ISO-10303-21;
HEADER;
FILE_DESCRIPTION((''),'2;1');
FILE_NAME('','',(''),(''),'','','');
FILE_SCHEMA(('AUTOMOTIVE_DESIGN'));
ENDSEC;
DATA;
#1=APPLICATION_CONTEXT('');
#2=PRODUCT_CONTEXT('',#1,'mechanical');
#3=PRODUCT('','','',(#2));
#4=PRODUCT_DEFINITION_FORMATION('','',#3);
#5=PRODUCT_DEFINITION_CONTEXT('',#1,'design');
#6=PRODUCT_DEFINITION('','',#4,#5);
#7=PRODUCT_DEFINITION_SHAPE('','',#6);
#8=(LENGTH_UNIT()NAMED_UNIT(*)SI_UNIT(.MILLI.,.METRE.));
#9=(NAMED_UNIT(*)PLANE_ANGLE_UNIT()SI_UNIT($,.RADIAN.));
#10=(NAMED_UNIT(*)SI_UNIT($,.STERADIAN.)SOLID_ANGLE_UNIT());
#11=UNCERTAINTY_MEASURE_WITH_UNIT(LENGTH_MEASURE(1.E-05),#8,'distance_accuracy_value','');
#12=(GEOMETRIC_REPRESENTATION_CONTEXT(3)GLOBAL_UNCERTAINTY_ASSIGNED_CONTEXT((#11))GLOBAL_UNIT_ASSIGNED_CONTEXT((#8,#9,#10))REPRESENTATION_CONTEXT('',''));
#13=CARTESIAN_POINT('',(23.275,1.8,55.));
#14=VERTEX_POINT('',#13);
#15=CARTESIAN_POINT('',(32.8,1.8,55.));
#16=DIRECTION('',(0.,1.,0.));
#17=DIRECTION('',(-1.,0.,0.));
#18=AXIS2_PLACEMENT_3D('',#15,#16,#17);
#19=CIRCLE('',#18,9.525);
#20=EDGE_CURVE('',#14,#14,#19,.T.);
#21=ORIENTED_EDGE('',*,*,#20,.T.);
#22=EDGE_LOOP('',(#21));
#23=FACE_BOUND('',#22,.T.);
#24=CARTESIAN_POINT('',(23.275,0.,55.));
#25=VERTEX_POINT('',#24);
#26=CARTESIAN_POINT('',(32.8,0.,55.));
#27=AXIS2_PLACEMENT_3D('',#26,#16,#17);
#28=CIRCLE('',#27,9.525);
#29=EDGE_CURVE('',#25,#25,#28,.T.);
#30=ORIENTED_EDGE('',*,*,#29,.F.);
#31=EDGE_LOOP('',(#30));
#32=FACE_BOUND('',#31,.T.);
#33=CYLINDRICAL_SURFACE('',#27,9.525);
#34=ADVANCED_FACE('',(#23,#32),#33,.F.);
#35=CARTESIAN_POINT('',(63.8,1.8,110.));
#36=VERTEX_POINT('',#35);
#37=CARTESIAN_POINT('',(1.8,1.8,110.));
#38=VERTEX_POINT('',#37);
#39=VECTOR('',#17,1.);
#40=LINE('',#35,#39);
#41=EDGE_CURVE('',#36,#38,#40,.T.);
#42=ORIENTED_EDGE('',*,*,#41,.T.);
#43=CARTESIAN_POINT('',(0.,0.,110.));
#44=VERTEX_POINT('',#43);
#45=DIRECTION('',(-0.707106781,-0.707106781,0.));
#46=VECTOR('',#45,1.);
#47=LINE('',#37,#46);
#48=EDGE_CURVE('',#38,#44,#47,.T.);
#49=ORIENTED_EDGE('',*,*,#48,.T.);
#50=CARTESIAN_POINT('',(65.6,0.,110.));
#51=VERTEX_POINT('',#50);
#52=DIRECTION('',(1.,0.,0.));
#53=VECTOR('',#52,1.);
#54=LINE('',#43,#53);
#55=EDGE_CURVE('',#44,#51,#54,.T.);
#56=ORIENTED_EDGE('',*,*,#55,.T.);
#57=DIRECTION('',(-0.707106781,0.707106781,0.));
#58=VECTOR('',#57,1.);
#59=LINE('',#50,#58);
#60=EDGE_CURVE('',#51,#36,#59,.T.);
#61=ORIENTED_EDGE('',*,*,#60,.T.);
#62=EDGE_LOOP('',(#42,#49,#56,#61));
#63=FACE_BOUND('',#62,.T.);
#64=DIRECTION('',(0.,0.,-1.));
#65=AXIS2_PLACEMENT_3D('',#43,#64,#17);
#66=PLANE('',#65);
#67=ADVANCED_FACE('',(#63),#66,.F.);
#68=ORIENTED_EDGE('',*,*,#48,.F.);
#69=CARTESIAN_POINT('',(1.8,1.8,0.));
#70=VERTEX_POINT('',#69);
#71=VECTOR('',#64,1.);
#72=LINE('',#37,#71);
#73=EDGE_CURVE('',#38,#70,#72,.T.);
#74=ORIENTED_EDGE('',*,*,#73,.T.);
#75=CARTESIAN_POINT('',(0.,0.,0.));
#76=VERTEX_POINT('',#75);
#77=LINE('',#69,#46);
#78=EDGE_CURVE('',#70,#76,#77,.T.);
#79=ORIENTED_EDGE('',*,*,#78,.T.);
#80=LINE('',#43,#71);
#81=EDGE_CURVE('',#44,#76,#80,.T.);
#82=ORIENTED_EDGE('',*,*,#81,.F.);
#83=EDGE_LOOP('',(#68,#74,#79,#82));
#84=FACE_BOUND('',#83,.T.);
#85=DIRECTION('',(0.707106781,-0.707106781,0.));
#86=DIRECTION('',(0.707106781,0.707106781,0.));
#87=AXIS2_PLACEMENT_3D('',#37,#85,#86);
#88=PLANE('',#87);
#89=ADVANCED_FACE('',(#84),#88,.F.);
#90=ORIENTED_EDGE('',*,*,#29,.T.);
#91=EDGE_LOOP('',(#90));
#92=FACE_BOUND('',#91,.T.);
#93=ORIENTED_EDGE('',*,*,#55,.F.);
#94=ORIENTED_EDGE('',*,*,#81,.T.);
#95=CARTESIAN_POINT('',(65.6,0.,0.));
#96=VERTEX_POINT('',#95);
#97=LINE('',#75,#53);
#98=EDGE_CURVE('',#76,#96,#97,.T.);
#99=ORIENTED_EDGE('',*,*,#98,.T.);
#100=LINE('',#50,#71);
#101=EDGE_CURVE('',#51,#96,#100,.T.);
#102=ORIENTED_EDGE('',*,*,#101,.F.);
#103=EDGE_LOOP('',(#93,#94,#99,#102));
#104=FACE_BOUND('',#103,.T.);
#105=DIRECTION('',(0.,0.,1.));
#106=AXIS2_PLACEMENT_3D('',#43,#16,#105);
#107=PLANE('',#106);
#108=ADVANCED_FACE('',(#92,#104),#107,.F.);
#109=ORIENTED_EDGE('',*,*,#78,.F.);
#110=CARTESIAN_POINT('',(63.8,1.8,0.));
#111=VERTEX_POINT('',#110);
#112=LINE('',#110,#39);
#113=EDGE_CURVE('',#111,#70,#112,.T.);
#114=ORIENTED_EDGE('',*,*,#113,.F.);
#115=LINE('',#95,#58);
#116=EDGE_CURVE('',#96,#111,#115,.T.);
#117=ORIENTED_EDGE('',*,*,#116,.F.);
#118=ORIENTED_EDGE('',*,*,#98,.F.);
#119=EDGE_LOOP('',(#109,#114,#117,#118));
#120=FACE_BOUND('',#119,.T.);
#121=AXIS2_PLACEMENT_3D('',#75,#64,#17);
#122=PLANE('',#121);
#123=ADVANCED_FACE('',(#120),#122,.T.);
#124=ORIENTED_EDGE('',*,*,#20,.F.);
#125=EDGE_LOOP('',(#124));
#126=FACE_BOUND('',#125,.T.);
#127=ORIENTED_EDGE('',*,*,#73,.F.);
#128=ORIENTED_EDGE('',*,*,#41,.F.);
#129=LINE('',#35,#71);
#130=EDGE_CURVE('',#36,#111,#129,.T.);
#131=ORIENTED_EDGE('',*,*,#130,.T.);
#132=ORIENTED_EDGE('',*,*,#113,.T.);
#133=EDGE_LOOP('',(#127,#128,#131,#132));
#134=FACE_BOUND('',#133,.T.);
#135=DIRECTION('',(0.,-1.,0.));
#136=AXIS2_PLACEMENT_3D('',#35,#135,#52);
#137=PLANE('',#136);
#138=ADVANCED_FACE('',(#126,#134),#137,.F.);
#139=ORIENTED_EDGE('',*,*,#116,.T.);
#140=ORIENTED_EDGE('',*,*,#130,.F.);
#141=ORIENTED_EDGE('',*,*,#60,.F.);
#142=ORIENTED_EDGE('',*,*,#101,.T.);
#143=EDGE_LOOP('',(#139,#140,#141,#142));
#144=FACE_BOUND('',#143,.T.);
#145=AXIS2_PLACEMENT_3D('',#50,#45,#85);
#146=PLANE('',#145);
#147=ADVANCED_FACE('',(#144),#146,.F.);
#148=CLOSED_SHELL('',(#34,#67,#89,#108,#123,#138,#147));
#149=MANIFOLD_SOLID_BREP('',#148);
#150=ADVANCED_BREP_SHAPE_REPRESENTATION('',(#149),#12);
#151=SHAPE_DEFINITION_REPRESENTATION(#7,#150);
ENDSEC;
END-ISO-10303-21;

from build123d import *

# Parameters (mm, degrees)
BOSS_EXTRUDE1_DEPTH = 110
SKETCH2_R           = 9.525
CUT_EXTRUDE1_DEPTH  = 2.8


with BuildPart() as part:
    # Sketch1 → Boss-Extrude1 (new body)
    with BuildSketch(Plane.XY):
        Polygon((0, 0), (65.6, 0), (63.8, 1.8), (1.8, 1.8), align=None)
    extrude(amount=BOSS_EXTRUDE1_DEPTH)

    # Sketch2 → Cut-Extrude1 (cut, through all)
    with BuildSketch(Plane(origin=(0, 1.8, 0), x_dir=(1, 0, 0), z_dir=(0, 1, 0))):
        with Locations((32.8, -55)):
            Circle(SKETCH2_R)
    extrude(amount=-CUT_EXTRUDE1_DEPTH, mode=Mode.SUBTRACT)


solid = part.part
